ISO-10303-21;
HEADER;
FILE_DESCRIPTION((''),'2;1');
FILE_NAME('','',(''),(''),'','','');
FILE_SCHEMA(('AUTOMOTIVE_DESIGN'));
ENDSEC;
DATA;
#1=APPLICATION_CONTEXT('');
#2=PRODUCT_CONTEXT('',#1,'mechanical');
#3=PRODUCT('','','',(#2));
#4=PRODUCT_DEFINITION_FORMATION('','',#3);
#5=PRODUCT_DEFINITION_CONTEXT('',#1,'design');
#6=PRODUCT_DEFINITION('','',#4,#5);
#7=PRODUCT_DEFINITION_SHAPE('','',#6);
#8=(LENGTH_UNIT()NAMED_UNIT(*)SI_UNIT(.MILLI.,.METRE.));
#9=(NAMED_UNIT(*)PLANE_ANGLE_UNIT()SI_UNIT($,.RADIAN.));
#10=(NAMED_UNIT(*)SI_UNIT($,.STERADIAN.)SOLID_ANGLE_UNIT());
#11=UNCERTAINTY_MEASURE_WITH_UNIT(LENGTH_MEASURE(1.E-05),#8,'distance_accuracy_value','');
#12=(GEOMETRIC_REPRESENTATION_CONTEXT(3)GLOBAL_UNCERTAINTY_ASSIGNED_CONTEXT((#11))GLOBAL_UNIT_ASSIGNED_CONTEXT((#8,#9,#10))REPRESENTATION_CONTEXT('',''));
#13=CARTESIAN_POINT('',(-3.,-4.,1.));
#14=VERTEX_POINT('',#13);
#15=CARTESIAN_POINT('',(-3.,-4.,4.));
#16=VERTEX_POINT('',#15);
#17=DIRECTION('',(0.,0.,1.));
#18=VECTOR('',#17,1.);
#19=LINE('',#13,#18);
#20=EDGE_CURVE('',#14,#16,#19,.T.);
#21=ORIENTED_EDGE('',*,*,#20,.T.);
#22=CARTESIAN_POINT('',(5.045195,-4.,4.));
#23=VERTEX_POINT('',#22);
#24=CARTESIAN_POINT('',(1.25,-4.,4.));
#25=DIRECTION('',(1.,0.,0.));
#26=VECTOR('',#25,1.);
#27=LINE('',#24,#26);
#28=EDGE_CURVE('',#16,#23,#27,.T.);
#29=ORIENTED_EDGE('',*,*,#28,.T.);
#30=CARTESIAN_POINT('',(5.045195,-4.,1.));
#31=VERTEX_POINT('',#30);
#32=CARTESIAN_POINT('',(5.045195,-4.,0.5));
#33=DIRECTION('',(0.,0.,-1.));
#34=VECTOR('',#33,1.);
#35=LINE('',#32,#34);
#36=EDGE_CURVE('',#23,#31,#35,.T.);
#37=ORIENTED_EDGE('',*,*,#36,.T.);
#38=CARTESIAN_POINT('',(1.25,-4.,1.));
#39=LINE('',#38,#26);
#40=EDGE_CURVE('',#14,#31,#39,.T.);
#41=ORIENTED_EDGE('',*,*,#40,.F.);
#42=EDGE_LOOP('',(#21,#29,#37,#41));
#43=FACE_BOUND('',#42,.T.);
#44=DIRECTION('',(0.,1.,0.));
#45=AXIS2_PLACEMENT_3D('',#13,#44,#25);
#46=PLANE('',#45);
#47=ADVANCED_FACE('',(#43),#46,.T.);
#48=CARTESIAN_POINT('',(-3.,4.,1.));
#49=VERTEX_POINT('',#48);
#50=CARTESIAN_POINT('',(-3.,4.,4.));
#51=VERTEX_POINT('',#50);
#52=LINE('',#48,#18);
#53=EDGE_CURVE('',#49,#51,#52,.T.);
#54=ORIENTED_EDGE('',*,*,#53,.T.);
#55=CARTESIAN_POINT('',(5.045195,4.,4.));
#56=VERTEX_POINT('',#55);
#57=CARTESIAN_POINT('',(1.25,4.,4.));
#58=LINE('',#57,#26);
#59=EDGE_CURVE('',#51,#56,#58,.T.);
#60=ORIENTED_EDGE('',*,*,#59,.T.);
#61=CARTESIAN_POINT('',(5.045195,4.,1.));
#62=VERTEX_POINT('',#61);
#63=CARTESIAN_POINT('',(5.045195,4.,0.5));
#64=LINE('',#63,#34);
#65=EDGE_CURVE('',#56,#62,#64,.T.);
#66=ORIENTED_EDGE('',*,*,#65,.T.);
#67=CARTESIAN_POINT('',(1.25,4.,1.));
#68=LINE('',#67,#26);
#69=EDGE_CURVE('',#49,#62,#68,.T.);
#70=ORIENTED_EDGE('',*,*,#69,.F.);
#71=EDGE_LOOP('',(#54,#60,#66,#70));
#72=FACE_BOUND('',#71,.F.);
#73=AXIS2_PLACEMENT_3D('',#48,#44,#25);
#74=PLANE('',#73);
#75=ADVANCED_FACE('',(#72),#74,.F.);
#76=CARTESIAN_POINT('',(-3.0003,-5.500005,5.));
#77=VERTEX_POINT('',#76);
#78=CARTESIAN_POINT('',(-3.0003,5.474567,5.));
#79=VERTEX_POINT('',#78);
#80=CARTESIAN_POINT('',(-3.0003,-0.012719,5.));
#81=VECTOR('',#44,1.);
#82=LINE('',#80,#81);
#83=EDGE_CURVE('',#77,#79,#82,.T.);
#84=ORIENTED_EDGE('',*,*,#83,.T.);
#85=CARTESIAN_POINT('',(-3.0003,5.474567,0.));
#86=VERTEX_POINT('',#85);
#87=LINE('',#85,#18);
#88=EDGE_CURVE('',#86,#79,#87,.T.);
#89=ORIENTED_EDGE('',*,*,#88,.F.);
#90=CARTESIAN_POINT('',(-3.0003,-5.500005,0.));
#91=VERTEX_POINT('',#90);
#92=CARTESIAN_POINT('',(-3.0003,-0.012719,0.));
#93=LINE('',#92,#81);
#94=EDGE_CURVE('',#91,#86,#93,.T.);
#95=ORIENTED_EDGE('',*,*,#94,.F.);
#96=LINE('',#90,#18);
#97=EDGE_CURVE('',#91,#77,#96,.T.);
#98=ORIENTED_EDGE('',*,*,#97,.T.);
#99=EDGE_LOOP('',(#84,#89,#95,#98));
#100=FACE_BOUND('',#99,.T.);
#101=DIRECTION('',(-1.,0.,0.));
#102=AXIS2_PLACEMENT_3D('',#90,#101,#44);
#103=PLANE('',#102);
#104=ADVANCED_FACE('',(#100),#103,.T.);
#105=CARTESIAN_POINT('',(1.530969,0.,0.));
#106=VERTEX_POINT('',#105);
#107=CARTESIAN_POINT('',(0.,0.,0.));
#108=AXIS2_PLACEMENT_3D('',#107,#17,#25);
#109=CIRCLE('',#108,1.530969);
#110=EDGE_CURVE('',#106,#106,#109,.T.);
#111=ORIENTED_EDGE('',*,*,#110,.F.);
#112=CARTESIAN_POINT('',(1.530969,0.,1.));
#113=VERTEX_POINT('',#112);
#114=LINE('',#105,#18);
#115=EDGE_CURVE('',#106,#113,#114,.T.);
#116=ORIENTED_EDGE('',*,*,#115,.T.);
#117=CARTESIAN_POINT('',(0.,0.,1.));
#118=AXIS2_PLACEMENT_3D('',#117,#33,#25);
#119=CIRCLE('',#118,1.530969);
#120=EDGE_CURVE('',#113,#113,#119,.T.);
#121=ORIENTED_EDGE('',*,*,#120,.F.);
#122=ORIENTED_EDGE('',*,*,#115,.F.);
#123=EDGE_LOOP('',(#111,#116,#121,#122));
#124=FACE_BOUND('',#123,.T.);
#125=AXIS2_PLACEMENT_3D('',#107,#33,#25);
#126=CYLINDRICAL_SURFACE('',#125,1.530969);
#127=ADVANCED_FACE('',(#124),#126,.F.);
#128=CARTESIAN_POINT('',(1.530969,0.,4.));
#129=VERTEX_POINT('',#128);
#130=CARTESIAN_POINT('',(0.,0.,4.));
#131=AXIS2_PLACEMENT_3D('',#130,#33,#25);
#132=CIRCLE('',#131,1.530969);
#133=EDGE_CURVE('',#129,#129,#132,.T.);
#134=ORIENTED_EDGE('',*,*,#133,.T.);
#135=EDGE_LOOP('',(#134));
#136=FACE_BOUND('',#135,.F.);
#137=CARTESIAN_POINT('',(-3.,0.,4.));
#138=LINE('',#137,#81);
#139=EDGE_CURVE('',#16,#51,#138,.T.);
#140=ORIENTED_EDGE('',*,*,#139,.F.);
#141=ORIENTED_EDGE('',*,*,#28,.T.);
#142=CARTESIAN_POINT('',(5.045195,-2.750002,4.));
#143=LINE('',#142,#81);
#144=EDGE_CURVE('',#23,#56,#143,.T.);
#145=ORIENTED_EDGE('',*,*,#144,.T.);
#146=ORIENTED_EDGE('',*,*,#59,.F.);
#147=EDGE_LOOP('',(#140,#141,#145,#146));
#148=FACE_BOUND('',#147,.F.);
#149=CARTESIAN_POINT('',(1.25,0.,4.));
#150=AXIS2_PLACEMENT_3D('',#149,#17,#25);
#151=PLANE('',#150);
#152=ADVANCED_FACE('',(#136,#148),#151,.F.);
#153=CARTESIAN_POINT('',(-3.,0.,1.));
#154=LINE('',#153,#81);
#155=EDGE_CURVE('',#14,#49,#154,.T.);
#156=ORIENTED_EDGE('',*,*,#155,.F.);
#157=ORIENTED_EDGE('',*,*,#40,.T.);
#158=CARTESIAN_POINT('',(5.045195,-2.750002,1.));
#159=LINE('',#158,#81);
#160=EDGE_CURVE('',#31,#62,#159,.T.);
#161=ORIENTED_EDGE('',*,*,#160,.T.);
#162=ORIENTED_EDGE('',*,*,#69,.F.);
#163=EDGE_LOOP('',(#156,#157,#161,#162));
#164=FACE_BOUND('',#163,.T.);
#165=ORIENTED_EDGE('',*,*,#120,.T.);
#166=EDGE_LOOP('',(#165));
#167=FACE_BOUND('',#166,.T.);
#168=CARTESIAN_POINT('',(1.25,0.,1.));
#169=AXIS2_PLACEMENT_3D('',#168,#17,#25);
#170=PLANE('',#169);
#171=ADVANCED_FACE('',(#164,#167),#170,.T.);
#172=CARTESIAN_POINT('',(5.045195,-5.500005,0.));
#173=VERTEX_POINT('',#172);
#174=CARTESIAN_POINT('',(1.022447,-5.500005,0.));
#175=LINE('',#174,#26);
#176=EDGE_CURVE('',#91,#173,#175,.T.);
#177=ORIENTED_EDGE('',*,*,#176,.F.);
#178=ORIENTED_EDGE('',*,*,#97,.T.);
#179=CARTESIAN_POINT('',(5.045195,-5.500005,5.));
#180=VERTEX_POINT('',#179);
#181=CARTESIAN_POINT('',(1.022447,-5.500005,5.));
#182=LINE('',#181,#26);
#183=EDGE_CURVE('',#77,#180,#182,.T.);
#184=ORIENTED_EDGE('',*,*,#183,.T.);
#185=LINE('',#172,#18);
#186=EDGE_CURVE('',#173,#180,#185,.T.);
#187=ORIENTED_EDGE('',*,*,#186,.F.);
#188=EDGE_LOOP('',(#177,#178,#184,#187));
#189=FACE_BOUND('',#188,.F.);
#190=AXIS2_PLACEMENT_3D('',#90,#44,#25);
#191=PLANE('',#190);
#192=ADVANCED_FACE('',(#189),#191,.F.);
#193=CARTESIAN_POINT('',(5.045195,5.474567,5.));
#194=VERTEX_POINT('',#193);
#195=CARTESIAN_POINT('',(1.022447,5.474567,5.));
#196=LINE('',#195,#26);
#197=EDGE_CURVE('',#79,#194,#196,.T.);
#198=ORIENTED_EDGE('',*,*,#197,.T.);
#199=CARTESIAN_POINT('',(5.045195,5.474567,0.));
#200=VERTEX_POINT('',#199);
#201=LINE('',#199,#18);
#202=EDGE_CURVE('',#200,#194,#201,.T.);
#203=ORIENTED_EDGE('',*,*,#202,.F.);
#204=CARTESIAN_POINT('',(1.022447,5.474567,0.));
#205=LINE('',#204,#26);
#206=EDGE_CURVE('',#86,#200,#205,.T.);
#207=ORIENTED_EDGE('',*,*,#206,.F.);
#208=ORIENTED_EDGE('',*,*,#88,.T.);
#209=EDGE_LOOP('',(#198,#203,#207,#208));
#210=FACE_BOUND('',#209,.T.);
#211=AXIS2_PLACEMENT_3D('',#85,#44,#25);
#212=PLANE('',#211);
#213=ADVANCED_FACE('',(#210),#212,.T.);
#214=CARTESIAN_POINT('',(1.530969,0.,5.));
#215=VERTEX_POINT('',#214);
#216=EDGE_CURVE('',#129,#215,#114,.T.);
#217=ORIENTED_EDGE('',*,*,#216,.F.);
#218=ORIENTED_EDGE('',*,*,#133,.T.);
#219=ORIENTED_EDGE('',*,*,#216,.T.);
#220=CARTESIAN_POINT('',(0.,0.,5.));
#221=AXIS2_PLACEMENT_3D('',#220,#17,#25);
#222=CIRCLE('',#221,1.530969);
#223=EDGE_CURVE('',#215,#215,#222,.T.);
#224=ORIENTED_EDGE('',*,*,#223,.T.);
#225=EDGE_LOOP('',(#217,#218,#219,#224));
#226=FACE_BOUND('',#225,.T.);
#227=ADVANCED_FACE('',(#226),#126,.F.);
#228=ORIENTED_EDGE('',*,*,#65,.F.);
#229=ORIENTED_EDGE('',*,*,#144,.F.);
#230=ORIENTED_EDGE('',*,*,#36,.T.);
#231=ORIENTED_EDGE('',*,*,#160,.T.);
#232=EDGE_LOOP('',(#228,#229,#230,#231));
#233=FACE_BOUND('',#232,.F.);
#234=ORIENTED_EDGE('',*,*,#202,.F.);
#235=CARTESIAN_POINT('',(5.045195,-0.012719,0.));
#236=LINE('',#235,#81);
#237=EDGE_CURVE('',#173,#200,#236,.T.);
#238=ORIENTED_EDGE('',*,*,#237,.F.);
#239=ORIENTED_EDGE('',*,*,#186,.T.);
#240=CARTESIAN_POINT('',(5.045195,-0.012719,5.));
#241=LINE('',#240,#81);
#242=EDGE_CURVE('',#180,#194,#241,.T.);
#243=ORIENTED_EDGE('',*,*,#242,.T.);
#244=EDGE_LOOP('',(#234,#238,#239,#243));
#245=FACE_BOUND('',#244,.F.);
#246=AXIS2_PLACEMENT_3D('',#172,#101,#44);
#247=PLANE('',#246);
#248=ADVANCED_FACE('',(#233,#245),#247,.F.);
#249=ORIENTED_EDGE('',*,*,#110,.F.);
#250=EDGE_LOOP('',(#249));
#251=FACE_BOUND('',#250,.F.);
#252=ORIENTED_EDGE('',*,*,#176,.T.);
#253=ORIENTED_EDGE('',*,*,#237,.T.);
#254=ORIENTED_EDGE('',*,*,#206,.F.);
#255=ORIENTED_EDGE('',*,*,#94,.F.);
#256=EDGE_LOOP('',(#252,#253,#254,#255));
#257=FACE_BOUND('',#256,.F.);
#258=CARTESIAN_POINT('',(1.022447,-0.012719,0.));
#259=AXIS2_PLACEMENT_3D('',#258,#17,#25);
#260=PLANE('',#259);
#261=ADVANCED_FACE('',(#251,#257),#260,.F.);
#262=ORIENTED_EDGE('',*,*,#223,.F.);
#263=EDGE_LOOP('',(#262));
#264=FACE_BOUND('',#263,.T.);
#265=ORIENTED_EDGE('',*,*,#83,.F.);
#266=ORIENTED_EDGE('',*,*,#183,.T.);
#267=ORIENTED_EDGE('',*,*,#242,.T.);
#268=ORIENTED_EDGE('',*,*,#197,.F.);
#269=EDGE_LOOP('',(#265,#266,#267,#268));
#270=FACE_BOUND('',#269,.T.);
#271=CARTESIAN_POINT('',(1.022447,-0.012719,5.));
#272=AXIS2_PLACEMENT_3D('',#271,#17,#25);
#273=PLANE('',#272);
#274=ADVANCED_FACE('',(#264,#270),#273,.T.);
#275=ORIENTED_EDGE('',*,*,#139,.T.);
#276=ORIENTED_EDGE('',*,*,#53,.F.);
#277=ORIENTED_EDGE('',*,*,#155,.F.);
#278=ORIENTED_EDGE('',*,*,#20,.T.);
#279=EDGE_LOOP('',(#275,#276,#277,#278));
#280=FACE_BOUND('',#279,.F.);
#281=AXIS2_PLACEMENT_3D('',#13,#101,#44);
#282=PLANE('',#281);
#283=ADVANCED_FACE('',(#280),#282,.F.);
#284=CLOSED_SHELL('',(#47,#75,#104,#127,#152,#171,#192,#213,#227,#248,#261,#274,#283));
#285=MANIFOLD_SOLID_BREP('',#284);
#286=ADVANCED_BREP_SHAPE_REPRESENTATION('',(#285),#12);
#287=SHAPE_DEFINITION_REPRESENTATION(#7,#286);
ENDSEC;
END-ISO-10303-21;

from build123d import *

# Parameters (mm, degrees)
BOX009_W     = 8.5
BOX009_H     = 8
BOX009_DEPTH = 3
SKETCH013_W  = 8.045495
SKETCH013_H  = 10.974572
SKETCH013_R  = 1.530969
PAD013_DEPTH = 5


with BuildPart() as body059:
    # Box009 → Box009 (new body)
    with BuildSketch(Plane(origin=(-3, -4, 1), x_dir=(1, 0, 0), z_dir=(0, 0, 1))):
        with Locations((4.25, 4)):
            Rectangle(BOX009_W, BOX009_H)
    extrude(amount=BOX009_DEPTH)


with BuildPart() as body059_1:
    # BaseFeature015 placement: moved
    add(body059.part.moved(Location((3, 4, -1))))


with BuildPart() as body059_2:
    # Body059 placement: moved
    add(body059_1.part.moved(Location((-3, -4, 1))))


with BuildPart() as cut011:
    # Sketch013 → Pad013 (new body)
    with BuildSketch(Plane.XY):
        with Locations((1.022447, -0.012719)):
            Rectangle(SKETCH013_W, SKETCH013_H)
        Circle(SKETCH013_R, mode=Mode.SUBTRACT)
    extrude(amount=PAD013_DEPTH)

    # Cut011: cut Body059
    add(body059_2.part, mode=Mode.SUBTRACT)


solid = cut011.part
